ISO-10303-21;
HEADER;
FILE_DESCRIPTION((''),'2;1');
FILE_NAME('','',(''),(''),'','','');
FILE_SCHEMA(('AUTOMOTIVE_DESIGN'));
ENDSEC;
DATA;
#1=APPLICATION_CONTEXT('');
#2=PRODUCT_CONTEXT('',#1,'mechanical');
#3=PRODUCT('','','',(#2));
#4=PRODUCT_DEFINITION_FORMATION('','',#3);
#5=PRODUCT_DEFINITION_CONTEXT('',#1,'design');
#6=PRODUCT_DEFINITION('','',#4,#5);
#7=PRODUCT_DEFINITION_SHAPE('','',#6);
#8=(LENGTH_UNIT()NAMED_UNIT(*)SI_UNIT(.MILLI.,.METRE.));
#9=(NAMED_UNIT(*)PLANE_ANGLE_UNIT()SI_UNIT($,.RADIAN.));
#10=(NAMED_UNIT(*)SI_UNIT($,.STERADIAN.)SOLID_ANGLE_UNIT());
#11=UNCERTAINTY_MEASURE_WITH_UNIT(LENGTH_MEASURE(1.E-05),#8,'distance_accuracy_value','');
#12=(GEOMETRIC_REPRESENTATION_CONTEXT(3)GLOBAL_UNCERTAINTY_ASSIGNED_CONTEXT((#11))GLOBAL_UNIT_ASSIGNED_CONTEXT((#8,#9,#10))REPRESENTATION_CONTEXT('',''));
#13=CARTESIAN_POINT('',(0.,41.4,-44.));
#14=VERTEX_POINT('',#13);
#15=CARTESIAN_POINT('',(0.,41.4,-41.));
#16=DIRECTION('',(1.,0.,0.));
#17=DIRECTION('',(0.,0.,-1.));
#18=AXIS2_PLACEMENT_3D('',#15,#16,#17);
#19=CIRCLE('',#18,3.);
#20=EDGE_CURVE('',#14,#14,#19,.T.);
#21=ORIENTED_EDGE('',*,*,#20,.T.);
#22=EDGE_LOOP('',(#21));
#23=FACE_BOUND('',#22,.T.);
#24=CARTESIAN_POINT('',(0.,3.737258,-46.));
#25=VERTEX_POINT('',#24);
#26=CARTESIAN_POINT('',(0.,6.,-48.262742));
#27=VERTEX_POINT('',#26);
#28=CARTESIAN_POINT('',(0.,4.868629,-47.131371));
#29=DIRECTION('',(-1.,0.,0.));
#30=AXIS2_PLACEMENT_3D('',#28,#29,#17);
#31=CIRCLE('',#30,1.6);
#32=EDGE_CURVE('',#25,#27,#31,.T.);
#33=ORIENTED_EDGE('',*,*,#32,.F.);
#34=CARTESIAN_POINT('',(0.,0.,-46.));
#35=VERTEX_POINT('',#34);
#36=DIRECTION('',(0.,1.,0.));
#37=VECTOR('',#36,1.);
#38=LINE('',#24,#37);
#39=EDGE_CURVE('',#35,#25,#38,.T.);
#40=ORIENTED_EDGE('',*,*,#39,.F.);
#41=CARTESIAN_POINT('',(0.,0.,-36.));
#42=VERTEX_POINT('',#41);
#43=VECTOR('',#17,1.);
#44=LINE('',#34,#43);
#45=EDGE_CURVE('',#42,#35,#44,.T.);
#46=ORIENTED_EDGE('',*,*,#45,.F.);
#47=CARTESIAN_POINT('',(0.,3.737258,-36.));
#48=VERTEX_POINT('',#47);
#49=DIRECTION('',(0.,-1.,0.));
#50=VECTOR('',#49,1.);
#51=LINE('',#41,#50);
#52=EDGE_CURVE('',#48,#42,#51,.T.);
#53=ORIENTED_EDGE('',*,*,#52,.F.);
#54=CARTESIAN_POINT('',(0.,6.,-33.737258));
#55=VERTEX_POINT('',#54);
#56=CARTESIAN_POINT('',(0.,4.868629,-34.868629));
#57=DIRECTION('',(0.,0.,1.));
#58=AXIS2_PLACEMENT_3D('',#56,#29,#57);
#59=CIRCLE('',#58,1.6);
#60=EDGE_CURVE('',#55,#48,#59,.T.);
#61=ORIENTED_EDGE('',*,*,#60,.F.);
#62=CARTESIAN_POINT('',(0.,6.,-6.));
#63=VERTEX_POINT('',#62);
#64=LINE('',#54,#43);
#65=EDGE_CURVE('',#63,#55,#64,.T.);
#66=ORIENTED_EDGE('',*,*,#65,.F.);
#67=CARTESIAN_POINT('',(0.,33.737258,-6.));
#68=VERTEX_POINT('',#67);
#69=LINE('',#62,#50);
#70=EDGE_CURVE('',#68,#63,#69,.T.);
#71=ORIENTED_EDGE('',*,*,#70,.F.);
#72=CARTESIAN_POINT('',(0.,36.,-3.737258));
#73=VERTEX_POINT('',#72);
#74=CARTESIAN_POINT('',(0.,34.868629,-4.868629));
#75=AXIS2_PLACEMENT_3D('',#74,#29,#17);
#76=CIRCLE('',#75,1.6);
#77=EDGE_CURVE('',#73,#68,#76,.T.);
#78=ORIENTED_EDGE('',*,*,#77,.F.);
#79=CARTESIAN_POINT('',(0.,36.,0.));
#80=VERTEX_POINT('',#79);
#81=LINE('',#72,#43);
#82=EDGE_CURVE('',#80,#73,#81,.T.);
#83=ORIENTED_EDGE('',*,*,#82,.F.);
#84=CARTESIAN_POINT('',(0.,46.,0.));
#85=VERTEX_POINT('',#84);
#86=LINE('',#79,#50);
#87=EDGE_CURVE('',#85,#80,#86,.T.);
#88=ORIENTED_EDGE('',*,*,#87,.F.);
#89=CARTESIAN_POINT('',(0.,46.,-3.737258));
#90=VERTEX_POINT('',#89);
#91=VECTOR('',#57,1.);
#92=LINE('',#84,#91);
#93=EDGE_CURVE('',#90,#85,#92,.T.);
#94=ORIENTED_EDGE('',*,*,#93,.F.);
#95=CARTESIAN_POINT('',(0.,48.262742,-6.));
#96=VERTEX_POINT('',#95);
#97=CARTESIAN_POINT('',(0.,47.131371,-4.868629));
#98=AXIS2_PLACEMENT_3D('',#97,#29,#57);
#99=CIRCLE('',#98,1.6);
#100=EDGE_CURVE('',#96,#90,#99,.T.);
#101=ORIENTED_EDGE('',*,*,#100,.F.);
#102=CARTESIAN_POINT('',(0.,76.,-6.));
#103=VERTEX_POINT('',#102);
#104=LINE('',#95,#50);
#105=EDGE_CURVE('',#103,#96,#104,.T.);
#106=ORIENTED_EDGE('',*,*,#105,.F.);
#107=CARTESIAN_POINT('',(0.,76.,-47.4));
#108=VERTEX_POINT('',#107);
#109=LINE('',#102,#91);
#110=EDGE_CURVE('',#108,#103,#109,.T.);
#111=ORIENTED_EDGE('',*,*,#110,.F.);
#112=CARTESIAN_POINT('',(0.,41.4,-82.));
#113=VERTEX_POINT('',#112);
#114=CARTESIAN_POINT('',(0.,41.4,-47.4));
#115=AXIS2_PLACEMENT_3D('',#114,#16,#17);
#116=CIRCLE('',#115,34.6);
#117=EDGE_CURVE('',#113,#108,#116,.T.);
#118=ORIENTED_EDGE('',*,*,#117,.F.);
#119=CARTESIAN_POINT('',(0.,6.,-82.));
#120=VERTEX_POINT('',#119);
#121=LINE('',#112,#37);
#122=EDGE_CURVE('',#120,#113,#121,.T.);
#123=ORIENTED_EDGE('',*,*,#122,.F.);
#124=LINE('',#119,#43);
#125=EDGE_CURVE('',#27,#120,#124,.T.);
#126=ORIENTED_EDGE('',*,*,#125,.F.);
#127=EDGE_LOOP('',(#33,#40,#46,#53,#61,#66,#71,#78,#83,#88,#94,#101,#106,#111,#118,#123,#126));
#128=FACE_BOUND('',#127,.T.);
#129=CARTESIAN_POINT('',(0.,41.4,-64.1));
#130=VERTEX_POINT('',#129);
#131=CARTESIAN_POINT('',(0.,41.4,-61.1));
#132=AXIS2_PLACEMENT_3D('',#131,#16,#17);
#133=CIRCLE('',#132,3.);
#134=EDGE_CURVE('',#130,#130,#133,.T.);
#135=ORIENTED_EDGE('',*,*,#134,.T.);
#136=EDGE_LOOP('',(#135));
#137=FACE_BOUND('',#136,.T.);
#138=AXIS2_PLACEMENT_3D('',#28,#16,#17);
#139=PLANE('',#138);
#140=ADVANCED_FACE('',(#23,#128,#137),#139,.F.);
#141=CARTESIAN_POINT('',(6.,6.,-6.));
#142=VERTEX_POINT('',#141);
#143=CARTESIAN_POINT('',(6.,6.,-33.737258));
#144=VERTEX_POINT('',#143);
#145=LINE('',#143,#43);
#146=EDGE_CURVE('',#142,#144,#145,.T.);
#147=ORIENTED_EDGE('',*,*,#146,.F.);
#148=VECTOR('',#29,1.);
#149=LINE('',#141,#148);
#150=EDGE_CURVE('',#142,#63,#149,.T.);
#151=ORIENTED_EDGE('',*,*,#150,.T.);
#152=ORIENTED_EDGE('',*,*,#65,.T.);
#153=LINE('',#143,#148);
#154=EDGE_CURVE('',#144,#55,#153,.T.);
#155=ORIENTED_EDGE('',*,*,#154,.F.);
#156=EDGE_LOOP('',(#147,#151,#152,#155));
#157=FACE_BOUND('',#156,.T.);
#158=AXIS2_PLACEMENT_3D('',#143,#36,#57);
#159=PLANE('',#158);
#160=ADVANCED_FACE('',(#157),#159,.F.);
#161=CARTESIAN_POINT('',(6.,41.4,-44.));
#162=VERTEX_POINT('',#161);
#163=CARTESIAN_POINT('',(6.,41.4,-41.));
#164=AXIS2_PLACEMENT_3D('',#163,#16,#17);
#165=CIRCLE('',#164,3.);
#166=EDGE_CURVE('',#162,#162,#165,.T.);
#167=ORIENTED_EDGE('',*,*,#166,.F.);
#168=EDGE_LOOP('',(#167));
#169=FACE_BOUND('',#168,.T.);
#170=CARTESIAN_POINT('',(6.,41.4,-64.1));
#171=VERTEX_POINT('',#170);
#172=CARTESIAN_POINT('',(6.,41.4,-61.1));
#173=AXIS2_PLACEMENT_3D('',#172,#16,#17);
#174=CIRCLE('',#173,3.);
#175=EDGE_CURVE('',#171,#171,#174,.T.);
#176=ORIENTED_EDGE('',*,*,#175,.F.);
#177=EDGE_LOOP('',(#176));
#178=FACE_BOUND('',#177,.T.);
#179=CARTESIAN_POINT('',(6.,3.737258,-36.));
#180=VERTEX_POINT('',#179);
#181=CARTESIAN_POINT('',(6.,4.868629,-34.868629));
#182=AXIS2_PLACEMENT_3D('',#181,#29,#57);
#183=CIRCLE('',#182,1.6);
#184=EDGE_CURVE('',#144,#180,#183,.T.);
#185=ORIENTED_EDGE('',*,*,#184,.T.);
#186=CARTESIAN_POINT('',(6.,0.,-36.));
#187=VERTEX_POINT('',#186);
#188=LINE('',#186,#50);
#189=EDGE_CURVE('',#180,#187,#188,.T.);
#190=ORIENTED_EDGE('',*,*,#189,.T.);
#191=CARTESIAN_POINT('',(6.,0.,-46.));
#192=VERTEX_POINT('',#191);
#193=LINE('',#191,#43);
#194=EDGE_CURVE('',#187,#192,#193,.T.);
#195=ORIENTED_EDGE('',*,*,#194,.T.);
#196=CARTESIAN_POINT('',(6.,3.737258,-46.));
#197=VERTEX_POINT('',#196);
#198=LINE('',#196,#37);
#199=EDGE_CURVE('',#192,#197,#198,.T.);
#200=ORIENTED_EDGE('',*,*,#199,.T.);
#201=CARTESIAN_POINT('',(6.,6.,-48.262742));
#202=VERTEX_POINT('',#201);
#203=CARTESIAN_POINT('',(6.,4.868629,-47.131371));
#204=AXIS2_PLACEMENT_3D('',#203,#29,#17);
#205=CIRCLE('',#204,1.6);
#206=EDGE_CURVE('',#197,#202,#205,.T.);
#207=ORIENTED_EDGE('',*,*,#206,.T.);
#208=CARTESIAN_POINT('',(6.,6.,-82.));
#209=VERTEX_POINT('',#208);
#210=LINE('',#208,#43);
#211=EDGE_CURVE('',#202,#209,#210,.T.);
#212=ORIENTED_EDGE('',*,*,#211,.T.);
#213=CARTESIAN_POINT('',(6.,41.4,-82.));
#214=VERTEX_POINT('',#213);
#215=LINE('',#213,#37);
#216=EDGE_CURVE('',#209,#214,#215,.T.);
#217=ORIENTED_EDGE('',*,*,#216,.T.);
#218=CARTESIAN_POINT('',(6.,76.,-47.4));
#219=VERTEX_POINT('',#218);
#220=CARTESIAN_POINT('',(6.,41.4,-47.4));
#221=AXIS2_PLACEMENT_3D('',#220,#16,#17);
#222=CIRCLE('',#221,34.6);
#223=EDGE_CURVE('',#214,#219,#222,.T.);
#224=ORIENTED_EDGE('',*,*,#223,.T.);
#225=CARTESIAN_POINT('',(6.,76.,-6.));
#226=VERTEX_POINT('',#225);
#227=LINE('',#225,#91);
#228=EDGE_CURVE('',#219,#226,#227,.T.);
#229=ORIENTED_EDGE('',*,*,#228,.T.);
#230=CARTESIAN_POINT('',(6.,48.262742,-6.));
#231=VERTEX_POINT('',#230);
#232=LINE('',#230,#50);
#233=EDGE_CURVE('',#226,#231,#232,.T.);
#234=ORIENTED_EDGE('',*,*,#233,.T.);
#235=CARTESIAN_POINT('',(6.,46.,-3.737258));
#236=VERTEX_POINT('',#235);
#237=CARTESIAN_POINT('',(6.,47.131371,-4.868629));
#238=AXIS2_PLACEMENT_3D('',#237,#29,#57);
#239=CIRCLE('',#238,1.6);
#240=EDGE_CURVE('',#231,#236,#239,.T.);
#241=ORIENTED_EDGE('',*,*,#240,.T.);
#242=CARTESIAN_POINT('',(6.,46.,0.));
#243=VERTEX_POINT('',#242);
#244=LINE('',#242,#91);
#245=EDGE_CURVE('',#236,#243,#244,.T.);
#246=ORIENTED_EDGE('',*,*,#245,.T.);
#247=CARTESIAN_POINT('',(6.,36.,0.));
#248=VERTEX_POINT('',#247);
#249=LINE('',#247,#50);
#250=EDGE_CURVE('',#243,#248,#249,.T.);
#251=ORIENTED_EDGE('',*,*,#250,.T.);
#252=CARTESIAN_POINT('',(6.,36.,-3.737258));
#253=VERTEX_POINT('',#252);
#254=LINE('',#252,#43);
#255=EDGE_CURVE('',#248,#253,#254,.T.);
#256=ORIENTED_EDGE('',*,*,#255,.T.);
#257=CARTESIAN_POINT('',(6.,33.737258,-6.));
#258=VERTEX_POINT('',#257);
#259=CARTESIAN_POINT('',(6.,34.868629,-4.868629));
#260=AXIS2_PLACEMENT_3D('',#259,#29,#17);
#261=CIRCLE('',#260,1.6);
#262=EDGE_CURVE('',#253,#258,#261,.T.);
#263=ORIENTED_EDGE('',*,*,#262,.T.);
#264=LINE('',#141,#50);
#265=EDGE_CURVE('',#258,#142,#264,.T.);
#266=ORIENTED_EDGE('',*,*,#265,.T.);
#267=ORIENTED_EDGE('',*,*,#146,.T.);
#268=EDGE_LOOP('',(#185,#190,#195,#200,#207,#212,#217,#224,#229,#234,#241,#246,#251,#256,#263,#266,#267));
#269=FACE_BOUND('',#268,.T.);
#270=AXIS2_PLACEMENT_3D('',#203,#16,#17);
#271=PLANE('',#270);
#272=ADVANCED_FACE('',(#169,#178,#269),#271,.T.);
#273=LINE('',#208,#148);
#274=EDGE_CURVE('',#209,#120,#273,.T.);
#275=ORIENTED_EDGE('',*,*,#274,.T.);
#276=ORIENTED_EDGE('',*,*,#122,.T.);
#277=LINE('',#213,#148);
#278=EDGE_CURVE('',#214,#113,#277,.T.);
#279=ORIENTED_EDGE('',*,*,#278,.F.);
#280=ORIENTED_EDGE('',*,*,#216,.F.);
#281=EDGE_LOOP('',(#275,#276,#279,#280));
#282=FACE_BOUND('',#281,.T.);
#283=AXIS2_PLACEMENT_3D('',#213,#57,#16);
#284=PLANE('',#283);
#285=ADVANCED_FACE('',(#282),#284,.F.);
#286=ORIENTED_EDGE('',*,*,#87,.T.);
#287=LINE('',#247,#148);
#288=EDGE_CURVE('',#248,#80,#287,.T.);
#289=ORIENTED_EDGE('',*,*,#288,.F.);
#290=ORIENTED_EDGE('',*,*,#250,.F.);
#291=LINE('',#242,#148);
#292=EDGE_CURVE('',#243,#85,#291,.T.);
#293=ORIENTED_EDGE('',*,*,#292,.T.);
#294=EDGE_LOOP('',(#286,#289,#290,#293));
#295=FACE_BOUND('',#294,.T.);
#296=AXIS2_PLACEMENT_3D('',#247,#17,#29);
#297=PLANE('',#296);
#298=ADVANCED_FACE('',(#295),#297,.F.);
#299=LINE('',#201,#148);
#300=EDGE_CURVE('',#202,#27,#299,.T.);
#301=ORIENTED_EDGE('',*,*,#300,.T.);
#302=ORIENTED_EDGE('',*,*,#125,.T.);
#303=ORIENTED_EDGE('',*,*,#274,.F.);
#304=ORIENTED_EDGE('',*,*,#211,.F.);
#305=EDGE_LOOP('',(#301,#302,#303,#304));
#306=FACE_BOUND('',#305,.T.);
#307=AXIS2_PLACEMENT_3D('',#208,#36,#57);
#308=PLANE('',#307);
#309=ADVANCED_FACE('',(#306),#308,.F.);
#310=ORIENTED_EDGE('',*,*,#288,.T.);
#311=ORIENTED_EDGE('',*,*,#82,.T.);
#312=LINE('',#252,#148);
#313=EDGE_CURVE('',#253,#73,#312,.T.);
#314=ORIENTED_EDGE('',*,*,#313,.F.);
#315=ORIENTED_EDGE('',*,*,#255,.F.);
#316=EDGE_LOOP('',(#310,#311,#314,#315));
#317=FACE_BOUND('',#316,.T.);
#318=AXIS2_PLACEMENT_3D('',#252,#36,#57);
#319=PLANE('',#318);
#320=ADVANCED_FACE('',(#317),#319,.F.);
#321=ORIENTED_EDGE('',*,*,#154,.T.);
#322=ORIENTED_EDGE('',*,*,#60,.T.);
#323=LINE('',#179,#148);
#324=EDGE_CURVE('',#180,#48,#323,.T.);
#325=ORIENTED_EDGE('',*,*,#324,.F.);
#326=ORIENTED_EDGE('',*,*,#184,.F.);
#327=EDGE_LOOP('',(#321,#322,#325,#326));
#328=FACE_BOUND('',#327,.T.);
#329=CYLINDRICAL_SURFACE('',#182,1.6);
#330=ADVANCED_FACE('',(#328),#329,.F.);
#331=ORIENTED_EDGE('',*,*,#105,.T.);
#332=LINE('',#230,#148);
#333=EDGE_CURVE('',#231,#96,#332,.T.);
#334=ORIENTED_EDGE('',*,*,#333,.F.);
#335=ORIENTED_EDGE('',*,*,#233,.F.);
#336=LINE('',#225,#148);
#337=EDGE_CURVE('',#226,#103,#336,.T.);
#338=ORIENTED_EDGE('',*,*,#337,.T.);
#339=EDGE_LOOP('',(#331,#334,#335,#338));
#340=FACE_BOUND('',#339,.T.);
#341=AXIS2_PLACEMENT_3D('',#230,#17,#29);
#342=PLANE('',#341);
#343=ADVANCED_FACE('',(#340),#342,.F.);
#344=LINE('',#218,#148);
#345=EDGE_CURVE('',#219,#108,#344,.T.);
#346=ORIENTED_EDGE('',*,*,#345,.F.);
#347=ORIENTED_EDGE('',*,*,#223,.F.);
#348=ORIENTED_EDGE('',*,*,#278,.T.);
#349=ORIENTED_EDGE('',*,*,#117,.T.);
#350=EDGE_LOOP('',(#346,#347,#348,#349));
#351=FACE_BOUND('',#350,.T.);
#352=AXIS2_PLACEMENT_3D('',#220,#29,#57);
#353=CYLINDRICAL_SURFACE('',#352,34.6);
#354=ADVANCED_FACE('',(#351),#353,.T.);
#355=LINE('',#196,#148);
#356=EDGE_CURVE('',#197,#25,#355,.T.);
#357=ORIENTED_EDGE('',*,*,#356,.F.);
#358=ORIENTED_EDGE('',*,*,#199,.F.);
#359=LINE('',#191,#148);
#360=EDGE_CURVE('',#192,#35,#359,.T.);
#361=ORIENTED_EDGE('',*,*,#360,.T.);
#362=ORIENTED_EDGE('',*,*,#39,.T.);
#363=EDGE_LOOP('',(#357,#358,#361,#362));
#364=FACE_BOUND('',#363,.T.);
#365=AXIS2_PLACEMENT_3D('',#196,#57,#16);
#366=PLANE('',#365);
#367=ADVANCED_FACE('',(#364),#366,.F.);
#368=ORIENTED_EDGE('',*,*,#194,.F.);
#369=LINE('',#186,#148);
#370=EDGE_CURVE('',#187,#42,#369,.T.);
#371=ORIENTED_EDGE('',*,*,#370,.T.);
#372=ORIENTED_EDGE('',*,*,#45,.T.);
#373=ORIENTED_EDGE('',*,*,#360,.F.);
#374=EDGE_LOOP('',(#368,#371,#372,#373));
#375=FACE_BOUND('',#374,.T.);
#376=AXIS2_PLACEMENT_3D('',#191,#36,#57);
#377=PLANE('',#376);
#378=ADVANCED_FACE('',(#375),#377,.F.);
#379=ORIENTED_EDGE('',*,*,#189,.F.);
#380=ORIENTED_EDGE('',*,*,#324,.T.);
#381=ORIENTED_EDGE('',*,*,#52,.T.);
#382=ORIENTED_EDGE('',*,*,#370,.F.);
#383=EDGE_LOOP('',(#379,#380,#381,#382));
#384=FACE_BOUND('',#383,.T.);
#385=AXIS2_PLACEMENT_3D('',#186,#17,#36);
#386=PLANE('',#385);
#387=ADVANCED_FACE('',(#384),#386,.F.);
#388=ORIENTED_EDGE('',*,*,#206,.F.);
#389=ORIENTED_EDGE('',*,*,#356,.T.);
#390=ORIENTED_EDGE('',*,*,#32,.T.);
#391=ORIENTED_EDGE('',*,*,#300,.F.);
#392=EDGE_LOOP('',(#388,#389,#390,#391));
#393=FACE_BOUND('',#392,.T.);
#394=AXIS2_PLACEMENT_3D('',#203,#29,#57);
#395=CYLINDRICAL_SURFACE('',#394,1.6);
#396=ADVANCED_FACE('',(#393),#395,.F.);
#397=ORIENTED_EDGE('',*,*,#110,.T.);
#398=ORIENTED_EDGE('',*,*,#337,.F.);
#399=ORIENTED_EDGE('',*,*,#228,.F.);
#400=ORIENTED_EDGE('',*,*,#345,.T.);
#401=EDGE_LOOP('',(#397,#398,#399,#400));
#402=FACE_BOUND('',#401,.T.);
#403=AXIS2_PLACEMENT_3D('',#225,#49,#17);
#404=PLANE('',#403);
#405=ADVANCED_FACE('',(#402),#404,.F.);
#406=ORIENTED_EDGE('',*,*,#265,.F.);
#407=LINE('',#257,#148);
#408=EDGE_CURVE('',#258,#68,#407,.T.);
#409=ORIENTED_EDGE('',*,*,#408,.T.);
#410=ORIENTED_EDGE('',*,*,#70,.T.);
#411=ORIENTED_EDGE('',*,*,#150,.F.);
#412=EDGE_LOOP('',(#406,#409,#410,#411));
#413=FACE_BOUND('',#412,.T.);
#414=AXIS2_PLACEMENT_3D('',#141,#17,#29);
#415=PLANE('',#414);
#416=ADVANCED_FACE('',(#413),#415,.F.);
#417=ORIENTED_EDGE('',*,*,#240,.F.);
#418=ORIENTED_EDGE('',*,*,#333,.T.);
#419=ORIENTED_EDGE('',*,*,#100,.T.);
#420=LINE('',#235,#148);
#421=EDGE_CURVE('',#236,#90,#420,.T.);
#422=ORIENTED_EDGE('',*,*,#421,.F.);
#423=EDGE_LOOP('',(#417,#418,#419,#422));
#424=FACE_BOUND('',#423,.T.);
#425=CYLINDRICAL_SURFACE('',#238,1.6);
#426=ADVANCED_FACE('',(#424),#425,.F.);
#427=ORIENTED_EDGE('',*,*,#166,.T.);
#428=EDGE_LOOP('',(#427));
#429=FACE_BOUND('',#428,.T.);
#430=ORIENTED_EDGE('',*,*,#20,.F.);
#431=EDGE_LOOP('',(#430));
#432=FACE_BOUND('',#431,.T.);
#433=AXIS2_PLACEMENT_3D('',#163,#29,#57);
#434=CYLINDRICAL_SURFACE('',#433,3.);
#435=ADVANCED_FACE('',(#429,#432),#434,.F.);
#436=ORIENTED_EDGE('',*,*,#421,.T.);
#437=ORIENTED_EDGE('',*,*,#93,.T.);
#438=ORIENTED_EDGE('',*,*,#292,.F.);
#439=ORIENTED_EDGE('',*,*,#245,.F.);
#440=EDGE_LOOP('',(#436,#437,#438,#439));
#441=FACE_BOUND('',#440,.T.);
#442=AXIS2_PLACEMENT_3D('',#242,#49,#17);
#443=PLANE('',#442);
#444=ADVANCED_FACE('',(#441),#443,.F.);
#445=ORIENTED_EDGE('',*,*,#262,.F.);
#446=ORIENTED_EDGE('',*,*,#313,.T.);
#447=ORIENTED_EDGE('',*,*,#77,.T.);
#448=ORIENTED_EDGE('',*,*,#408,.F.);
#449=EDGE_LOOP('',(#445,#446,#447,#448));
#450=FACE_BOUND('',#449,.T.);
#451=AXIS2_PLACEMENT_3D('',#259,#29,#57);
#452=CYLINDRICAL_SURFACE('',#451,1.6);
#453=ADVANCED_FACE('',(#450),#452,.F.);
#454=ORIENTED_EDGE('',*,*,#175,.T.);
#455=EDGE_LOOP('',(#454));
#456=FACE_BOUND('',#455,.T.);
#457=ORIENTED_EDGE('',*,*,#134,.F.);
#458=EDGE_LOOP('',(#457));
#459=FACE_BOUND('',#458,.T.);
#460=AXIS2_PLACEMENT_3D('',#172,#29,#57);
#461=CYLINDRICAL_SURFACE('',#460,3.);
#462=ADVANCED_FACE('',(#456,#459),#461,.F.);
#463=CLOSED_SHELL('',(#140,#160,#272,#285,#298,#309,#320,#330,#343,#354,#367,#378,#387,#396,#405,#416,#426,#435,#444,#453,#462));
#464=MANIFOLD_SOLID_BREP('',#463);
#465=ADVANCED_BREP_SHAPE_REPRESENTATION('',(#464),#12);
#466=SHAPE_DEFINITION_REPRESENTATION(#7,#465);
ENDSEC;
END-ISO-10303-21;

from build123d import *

# Parameters (mm, degrees)
ESQUISSE1_R        = 3
BOSS_EXTRU_1_DEPTH = 6


with BuildPart() as part:
    # Esquisse1 → Boss.-Extru.1 (new body)
    with BuildSketch(Plane(origin=(0, 0, 0), x_dir=(0, 0, -1), z_dir=(1, 0, 0))):
        with BuildLine():
            Line((46, 3.7372583), (46, 0))
            Line((46, 0), (36, 0))
            Line((36, 0), (36, 3.7372583))
            ThreePointArc((36, 3.7372583), (36, 6), (33.7372583, 6))
            Line((33.7372583, 6), (6, 6))
            Line((6, 6), (6, 33.7372583))
            ThreePointArc((6, 33.7372583), (6, 36), (3.7372583, 36))
            Line((3.7372583, 36), (0, 36))
            Line((0, 36), (0, 46))
            Line((0, 46), (3.7372583, 46))
            ThreePointArc((3.7372583, 46), (6, 46), (6, 48.2627417))
            Line((6, 48.2627417), (6, 76))
            Line((6, 76), (47.4, 76))
            ThreePointArc((47.4, 76), (71.865894629, 65.865894629), (82, 41.4))
            Line((82, 41.4), (82, 6))
            Line((82, 6), (48.2627417, 6))
            ThreePointArc((48.2627417, 6), (46, 6), (46, 3.7372583))
        make_face()
        with Locations((41, 41.4)):
            Circle(ESQUISSE1_R, mode=Mode.SUBTRACT)
        with Locations((61.1, 41.4)):
            Circle(ESQUISSE1_R, mode=Mode.SUBTRACT)
    extrude(amount=BOSS_EXTRU_1_DEPTH)


solid = part.part
